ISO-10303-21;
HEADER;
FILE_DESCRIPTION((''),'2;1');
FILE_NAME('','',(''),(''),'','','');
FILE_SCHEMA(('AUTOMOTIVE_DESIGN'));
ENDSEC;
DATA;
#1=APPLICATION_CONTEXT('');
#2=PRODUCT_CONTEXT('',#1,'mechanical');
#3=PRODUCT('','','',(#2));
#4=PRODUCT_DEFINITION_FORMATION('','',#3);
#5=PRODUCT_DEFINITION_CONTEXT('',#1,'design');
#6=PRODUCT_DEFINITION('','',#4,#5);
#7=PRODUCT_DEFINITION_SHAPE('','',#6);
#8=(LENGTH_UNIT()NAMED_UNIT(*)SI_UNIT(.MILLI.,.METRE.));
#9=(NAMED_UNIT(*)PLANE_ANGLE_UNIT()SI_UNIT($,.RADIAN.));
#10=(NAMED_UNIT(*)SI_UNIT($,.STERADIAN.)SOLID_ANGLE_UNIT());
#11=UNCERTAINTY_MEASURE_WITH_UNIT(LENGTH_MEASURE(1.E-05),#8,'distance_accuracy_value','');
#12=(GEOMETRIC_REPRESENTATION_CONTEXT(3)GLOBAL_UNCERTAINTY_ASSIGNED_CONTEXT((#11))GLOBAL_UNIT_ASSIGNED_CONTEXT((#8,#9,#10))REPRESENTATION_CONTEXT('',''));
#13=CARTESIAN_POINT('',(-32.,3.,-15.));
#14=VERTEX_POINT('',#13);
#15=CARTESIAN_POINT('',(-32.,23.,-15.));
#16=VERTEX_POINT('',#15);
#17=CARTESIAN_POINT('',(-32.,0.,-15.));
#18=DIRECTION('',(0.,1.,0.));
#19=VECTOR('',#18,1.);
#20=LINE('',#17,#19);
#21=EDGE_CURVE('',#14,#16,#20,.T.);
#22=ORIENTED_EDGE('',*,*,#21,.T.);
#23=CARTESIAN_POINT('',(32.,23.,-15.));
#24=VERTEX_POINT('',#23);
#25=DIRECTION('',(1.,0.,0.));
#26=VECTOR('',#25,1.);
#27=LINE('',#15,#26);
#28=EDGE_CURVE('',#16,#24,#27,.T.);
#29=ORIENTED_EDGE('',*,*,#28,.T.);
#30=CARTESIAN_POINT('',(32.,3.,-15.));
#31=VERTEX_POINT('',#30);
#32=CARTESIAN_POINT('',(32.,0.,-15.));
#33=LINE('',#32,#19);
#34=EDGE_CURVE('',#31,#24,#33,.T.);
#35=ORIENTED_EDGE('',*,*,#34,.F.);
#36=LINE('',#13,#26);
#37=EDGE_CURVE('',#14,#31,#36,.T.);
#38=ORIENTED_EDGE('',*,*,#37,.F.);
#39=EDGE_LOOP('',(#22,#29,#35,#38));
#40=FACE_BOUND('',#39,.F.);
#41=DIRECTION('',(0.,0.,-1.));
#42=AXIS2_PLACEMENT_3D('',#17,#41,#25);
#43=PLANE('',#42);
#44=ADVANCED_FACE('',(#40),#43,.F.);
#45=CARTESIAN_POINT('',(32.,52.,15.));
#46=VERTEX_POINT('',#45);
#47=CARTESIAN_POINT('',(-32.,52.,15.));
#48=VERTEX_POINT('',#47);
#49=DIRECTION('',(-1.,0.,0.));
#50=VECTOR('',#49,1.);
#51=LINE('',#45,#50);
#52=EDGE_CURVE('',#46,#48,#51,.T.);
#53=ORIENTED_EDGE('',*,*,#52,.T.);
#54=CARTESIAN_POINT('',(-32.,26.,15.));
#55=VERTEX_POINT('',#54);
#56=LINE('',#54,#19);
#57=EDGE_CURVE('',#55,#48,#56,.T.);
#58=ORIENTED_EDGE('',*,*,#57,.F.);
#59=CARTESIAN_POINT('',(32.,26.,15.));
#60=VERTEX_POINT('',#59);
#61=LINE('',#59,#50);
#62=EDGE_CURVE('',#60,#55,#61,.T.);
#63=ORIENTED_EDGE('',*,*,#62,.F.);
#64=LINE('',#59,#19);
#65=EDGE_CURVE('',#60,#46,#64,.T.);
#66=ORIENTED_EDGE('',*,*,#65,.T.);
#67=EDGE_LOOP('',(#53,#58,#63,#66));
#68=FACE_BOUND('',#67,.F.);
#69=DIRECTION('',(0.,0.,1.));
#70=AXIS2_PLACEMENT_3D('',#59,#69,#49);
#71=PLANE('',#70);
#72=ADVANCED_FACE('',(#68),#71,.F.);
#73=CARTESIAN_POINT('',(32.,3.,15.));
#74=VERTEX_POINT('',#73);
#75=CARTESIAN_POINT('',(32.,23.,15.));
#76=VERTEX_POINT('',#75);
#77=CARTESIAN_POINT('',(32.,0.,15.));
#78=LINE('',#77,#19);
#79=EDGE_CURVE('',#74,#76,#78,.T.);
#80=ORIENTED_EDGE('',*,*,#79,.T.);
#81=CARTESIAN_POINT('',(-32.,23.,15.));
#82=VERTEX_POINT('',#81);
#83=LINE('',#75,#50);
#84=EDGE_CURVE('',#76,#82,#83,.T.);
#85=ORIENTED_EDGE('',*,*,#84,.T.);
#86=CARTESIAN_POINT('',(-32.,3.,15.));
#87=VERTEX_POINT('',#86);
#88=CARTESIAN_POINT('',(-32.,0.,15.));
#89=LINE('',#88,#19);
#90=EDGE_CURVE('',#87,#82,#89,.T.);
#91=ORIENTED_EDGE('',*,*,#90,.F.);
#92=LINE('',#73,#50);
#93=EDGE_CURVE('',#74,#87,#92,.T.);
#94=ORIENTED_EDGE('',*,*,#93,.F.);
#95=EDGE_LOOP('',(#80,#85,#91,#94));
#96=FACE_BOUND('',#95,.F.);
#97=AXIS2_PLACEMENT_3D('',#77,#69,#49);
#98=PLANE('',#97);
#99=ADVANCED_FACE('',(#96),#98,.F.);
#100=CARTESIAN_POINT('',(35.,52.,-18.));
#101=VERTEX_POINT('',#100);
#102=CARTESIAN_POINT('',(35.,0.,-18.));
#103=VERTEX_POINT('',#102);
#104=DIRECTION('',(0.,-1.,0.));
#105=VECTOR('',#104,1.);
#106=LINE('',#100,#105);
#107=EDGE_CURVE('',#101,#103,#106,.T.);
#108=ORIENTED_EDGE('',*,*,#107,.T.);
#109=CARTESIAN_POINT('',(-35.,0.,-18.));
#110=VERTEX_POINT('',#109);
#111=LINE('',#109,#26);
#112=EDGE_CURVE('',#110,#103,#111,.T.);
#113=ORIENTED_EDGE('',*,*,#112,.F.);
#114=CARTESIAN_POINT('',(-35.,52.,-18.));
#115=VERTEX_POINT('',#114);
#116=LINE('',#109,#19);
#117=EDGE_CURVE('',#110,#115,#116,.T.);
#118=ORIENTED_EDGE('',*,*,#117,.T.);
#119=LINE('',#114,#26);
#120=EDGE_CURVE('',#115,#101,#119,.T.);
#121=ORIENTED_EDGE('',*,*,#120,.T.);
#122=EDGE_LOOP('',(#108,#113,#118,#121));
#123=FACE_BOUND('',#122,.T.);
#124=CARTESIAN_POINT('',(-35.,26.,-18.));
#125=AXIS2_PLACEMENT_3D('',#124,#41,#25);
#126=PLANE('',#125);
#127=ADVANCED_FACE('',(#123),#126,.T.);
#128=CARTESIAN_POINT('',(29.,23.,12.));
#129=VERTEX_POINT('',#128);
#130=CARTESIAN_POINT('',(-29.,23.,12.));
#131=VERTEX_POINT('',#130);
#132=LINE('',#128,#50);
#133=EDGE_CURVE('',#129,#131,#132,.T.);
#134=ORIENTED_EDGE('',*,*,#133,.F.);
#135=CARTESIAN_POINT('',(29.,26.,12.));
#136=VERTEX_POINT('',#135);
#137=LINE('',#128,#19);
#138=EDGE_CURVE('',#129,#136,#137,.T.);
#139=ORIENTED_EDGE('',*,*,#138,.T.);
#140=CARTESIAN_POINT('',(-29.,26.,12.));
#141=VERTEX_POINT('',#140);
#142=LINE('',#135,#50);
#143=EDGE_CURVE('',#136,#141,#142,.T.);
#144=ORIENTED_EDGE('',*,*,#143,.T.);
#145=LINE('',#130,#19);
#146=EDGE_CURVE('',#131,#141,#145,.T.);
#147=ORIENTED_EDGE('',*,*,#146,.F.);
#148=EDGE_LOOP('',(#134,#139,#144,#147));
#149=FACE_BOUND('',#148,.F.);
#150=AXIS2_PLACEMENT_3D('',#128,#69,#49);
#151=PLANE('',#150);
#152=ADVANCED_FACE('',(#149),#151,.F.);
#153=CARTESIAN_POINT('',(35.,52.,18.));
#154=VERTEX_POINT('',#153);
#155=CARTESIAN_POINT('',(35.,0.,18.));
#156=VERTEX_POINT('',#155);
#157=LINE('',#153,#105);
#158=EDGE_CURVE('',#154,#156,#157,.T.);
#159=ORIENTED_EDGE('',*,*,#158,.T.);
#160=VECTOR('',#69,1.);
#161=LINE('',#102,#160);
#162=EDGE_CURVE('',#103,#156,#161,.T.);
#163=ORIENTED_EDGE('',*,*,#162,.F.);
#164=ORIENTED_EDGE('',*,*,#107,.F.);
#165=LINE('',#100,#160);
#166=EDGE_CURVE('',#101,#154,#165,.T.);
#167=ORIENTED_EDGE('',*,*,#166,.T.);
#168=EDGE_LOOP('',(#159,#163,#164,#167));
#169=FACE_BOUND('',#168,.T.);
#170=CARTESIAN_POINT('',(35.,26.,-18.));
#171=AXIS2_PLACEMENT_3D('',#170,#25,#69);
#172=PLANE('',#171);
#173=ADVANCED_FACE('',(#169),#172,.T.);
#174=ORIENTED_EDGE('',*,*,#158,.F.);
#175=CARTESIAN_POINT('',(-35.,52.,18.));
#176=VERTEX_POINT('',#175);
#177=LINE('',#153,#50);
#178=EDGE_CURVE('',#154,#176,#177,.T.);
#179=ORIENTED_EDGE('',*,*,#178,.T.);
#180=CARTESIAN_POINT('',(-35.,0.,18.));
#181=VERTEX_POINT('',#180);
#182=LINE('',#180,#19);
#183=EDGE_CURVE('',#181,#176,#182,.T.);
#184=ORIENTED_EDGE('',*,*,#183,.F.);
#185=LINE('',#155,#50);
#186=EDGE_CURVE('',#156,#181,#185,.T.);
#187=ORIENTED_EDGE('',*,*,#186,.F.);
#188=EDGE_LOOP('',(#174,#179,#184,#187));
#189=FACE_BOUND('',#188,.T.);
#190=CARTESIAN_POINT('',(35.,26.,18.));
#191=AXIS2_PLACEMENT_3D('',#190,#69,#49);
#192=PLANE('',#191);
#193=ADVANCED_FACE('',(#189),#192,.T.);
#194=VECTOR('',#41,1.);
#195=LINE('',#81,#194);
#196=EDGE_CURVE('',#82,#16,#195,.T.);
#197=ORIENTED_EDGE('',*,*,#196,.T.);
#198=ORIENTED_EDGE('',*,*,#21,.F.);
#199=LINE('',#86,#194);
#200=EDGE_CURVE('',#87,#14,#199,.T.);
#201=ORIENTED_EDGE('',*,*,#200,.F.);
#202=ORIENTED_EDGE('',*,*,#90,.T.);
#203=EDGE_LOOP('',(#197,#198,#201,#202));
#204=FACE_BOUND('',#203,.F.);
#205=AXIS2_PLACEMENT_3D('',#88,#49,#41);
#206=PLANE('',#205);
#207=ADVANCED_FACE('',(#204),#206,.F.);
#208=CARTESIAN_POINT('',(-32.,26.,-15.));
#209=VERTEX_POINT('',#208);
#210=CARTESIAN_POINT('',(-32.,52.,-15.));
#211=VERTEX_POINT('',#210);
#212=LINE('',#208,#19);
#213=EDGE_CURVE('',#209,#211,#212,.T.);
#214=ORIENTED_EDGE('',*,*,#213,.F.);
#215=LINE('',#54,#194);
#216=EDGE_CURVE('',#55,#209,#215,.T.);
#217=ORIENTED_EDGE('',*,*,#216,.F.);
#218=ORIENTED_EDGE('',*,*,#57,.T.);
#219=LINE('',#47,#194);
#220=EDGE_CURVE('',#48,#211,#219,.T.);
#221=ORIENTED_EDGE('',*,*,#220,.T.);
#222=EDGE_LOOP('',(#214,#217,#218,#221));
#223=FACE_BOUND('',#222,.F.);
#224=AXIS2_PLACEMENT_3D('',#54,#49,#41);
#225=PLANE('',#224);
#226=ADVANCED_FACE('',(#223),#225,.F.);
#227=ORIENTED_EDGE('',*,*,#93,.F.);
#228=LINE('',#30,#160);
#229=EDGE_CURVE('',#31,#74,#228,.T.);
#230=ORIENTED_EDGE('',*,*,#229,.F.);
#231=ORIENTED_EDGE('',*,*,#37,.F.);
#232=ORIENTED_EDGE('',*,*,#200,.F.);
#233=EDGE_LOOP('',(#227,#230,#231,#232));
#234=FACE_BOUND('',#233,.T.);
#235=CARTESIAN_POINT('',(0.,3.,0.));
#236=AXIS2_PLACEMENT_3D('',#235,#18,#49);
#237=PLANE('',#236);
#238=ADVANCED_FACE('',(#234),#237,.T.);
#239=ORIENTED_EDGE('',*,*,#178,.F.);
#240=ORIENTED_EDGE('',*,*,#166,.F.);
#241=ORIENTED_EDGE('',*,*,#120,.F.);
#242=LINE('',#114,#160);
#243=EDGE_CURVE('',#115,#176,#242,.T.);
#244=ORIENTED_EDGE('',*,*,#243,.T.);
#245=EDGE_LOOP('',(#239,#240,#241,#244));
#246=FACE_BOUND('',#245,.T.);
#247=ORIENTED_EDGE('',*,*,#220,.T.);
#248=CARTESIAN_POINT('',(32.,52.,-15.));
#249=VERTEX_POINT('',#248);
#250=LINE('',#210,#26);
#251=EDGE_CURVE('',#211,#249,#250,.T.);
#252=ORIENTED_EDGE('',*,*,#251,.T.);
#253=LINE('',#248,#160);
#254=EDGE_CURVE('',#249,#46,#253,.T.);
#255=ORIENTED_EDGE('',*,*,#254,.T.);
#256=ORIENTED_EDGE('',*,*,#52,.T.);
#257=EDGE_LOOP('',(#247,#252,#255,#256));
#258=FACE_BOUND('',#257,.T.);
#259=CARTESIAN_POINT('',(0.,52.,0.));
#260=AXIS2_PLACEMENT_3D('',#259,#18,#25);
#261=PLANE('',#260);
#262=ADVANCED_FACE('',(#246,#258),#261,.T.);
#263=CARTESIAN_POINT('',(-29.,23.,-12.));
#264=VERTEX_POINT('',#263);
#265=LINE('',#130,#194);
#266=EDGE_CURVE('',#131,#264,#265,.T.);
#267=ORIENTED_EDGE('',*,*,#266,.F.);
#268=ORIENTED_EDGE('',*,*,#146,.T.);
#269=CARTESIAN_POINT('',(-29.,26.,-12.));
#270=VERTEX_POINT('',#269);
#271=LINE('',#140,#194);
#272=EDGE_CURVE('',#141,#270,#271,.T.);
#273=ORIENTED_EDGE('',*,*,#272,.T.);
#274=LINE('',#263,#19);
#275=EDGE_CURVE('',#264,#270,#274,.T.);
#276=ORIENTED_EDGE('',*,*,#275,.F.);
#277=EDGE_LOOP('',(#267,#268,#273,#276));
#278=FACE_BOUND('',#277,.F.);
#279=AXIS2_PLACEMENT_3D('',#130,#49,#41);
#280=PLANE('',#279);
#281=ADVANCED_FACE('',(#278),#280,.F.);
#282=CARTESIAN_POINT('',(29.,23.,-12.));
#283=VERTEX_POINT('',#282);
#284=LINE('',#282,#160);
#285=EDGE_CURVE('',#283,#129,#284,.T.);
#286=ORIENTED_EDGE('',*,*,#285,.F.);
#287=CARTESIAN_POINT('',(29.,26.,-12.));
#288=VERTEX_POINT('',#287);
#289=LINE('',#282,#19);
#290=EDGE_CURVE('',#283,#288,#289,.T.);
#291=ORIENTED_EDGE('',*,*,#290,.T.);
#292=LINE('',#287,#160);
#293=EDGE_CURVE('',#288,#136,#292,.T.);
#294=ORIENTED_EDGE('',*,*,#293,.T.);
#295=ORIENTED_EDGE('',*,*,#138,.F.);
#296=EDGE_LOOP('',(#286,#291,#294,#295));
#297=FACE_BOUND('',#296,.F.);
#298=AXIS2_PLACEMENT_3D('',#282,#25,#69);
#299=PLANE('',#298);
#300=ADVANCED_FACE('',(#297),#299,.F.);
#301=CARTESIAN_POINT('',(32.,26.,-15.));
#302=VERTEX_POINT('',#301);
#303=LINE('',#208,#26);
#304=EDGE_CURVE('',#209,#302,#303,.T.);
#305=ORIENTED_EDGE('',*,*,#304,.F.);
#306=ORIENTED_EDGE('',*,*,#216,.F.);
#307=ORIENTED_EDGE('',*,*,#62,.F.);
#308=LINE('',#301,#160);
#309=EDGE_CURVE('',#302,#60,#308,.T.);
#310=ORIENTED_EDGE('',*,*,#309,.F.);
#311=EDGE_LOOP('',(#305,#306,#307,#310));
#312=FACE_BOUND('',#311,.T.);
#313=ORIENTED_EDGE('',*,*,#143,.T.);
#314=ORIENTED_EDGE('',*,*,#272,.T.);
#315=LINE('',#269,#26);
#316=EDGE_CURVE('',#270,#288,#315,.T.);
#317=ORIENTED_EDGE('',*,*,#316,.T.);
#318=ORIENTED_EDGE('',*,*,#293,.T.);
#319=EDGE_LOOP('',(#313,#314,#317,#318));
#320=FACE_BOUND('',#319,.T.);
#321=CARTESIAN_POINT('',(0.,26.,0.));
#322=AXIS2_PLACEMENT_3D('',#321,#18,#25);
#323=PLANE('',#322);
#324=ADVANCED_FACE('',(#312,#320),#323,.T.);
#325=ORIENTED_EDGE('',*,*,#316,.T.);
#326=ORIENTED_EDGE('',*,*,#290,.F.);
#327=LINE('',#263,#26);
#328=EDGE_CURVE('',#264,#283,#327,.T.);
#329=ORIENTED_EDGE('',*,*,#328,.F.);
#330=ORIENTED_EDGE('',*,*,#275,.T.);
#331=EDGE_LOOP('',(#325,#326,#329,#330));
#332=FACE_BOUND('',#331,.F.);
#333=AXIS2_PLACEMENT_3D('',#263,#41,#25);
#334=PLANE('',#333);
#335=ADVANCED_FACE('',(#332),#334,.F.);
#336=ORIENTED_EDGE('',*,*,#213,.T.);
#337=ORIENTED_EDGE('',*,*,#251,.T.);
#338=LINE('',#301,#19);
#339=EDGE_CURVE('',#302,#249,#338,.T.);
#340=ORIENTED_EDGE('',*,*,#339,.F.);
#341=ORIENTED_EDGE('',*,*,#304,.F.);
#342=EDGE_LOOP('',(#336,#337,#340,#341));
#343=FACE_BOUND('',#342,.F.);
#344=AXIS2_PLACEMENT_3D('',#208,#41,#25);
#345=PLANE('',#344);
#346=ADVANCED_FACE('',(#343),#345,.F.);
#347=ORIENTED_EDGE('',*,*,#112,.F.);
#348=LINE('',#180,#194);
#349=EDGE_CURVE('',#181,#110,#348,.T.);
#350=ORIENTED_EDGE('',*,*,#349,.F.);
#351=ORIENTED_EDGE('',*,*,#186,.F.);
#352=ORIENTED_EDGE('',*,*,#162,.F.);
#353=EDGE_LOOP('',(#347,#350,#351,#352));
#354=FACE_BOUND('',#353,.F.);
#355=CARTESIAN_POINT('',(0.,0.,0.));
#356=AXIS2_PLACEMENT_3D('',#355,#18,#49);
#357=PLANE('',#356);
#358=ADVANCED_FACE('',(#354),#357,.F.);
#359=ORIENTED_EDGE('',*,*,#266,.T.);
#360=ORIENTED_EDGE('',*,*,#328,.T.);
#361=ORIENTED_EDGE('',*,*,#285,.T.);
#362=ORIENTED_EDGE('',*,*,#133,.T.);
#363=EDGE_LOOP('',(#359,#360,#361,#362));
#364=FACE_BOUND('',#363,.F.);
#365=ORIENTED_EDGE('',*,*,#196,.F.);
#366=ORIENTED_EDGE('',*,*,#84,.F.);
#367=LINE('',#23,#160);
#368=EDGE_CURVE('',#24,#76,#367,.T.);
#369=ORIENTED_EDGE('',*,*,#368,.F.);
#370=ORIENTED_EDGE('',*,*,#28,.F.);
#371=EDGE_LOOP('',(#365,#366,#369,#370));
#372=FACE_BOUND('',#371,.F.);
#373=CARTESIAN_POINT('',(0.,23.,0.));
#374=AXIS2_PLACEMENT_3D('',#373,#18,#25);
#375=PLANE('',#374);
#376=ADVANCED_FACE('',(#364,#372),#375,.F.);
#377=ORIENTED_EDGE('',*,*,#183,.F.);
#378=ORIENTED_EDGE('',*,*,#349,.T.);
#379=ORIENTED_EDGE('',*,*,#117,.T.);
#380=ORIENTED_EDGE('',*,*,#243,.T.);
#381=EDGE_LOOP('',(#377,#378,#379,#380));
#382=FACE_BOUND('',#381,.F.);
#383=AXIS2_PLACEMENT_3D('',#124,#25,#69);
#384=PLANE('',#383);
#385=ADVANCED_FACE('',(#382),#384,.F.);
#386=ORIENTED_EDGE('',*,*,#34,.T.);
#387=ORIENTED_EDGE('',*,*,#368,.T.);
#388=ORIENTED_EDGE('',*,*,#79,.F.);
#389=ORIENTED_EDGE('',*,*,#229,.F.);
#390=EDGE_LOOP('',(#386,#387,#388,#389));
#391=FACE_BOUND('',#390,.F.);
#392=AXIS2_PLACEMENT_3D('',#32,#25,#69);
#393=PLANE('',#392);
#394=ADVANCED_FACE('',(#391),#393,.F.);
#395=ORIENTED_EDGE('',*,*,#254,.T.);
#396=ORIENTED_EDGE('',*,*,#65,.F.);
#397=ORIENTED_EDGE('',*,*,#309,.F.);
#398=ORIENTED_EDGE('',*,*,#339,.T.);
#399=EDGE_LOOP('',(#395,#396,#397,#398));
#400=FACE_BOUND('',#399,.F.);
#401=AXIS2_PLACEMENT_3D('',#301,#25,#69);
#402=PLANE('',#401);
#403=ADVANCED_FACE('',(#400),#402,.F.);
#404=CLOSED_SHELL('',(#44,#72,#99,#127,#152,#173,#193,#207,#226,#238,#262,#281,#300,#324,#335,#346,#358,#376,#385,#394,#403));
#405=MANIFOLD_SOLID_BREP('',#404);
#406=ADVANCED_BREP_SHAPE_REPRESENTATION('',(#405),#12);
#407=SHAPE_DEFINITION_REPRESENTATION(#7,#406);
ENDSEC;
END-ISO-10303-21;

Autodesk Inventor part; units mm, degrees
ref_plane "YZ Plane" through (0, 0, 0) normal (1, 0, 0) x (0, 1, 0)
ref_plane "XZ Plane" through (0, 0, 0) normal (0, 1, 0) x (-1, 0, 0)
ref_plane "XY Plane" through (0, 0, 0) normal (0, 0, 1) x (1, 0, 0)
sketch "Boceto1" plane through (0, 0, 0) normal (0, 1, 0) x (-1, 0, 0)
  line L0 (-35, 18) -> (35, 18)
  line L1 (35, 18) -> (35, -18)
  line L2 (35, -18) -> (-35, -18)
  line L3 (-35, -18) -> (-35, 18)
  line L4 (-35, 18) -> (35, -18) construction
  line L5 (35, 18) -> (-35, -18) construction
  line L6 (-32, 15) -> (32, 15)
  line L7 (32, 15) -> (32, -15)
  line L8 (32, -15) -> (-32, -15)
  line L9 (-32, -15) -> (-32, 15)
  line L10 (-32, 15) -> (32, -15) construction
  line L11 (32, 15) -> (-32, -15) construction
  point P0 (0, 0)
  dimension "d0" = 70
  dimension "d1" = 36
  dimension "d2" = 3
  dimension "d3" = 3
extrude "Extrusión1" add sketch "Boceto1" along normal blind 3 contours L6 L7 L8 L9
extrude "Extrusión2" add sketch "Boceto1" along normal blind 23
sketch "Boceto2" plane through (0, 23, 0) normal (0, 1, 0) x (1, 0, 0)
  line L0 (35, 18) -> (-35, 18) projected
  line L1 (35, -18) -> (-35, -18)
  line L2 (-35, -18) -> (-35, 18)
  line L3 (-35, 18) -> (35, 18)
  line L4 (35, 18) -> (35, -18)
  line L5 (35, -18) -> (-35, 18) construction
  line L6 (-35, -18) -> (35, 18) construction
  line L7 (29, -12) -> (-29, -12)
  line L8 (-29, -12) -> (-29, 12)
  line L9 (-29, 12) -> (29, 12)
  line L10 (29, 12) -> (29, -12)
  line L11 (29, -12) -> (-29, 12) construction
  line L12 (-29, -12) -> (29, 12) construction
  point P0 (0, 0)
  dimension "d8" = 6
  dimension "d9" = 6
extrude "Extrusión3" add sketch "Boceto2" along normal blind 3
sketch "Boceto3" plane through (0, 26, 0) normal (0, 1, 0) x (1, 0, 0)
  point P0 (0, 0)
sketch "Boceto4" plane through (0, 26, 0) normal (0, 1, 0) x (1, 0, 0)
  line L0 (-35, 18) -> (-35, -18) projected
  line L1 (35, -18) -> (-35, -18)
  line L2 (-35, -18) -> (-35, 18)
  line L3 (-35, 18) -> (35, 18)
  line L4 (35, 18) -> (35, -18)
  line L5 (35, -18) -> (-35, 18) construction
  line L6 (-35, -18) -> (35, 18) construction
  line L7 (32, -15) -> (-32, -15)
  line L8 (-32, -15) -> (-32, 15)
  line L9 (-32, 15) -> (32, 15)
  line L10 (32, 15) -> (32, -15)
  line L11 (32, -15) -> (-32, 15) construction
  line L12 (-32, -15) -> (32, 15) construction
  point P0 (0, 0)
  dimension "d21" = 3
  dimension "d22" = 3
extrude "Extrusión4" add sketch "Boceto4" along normal blind 26
properties part number "Capsula" material "Plástico PET"
